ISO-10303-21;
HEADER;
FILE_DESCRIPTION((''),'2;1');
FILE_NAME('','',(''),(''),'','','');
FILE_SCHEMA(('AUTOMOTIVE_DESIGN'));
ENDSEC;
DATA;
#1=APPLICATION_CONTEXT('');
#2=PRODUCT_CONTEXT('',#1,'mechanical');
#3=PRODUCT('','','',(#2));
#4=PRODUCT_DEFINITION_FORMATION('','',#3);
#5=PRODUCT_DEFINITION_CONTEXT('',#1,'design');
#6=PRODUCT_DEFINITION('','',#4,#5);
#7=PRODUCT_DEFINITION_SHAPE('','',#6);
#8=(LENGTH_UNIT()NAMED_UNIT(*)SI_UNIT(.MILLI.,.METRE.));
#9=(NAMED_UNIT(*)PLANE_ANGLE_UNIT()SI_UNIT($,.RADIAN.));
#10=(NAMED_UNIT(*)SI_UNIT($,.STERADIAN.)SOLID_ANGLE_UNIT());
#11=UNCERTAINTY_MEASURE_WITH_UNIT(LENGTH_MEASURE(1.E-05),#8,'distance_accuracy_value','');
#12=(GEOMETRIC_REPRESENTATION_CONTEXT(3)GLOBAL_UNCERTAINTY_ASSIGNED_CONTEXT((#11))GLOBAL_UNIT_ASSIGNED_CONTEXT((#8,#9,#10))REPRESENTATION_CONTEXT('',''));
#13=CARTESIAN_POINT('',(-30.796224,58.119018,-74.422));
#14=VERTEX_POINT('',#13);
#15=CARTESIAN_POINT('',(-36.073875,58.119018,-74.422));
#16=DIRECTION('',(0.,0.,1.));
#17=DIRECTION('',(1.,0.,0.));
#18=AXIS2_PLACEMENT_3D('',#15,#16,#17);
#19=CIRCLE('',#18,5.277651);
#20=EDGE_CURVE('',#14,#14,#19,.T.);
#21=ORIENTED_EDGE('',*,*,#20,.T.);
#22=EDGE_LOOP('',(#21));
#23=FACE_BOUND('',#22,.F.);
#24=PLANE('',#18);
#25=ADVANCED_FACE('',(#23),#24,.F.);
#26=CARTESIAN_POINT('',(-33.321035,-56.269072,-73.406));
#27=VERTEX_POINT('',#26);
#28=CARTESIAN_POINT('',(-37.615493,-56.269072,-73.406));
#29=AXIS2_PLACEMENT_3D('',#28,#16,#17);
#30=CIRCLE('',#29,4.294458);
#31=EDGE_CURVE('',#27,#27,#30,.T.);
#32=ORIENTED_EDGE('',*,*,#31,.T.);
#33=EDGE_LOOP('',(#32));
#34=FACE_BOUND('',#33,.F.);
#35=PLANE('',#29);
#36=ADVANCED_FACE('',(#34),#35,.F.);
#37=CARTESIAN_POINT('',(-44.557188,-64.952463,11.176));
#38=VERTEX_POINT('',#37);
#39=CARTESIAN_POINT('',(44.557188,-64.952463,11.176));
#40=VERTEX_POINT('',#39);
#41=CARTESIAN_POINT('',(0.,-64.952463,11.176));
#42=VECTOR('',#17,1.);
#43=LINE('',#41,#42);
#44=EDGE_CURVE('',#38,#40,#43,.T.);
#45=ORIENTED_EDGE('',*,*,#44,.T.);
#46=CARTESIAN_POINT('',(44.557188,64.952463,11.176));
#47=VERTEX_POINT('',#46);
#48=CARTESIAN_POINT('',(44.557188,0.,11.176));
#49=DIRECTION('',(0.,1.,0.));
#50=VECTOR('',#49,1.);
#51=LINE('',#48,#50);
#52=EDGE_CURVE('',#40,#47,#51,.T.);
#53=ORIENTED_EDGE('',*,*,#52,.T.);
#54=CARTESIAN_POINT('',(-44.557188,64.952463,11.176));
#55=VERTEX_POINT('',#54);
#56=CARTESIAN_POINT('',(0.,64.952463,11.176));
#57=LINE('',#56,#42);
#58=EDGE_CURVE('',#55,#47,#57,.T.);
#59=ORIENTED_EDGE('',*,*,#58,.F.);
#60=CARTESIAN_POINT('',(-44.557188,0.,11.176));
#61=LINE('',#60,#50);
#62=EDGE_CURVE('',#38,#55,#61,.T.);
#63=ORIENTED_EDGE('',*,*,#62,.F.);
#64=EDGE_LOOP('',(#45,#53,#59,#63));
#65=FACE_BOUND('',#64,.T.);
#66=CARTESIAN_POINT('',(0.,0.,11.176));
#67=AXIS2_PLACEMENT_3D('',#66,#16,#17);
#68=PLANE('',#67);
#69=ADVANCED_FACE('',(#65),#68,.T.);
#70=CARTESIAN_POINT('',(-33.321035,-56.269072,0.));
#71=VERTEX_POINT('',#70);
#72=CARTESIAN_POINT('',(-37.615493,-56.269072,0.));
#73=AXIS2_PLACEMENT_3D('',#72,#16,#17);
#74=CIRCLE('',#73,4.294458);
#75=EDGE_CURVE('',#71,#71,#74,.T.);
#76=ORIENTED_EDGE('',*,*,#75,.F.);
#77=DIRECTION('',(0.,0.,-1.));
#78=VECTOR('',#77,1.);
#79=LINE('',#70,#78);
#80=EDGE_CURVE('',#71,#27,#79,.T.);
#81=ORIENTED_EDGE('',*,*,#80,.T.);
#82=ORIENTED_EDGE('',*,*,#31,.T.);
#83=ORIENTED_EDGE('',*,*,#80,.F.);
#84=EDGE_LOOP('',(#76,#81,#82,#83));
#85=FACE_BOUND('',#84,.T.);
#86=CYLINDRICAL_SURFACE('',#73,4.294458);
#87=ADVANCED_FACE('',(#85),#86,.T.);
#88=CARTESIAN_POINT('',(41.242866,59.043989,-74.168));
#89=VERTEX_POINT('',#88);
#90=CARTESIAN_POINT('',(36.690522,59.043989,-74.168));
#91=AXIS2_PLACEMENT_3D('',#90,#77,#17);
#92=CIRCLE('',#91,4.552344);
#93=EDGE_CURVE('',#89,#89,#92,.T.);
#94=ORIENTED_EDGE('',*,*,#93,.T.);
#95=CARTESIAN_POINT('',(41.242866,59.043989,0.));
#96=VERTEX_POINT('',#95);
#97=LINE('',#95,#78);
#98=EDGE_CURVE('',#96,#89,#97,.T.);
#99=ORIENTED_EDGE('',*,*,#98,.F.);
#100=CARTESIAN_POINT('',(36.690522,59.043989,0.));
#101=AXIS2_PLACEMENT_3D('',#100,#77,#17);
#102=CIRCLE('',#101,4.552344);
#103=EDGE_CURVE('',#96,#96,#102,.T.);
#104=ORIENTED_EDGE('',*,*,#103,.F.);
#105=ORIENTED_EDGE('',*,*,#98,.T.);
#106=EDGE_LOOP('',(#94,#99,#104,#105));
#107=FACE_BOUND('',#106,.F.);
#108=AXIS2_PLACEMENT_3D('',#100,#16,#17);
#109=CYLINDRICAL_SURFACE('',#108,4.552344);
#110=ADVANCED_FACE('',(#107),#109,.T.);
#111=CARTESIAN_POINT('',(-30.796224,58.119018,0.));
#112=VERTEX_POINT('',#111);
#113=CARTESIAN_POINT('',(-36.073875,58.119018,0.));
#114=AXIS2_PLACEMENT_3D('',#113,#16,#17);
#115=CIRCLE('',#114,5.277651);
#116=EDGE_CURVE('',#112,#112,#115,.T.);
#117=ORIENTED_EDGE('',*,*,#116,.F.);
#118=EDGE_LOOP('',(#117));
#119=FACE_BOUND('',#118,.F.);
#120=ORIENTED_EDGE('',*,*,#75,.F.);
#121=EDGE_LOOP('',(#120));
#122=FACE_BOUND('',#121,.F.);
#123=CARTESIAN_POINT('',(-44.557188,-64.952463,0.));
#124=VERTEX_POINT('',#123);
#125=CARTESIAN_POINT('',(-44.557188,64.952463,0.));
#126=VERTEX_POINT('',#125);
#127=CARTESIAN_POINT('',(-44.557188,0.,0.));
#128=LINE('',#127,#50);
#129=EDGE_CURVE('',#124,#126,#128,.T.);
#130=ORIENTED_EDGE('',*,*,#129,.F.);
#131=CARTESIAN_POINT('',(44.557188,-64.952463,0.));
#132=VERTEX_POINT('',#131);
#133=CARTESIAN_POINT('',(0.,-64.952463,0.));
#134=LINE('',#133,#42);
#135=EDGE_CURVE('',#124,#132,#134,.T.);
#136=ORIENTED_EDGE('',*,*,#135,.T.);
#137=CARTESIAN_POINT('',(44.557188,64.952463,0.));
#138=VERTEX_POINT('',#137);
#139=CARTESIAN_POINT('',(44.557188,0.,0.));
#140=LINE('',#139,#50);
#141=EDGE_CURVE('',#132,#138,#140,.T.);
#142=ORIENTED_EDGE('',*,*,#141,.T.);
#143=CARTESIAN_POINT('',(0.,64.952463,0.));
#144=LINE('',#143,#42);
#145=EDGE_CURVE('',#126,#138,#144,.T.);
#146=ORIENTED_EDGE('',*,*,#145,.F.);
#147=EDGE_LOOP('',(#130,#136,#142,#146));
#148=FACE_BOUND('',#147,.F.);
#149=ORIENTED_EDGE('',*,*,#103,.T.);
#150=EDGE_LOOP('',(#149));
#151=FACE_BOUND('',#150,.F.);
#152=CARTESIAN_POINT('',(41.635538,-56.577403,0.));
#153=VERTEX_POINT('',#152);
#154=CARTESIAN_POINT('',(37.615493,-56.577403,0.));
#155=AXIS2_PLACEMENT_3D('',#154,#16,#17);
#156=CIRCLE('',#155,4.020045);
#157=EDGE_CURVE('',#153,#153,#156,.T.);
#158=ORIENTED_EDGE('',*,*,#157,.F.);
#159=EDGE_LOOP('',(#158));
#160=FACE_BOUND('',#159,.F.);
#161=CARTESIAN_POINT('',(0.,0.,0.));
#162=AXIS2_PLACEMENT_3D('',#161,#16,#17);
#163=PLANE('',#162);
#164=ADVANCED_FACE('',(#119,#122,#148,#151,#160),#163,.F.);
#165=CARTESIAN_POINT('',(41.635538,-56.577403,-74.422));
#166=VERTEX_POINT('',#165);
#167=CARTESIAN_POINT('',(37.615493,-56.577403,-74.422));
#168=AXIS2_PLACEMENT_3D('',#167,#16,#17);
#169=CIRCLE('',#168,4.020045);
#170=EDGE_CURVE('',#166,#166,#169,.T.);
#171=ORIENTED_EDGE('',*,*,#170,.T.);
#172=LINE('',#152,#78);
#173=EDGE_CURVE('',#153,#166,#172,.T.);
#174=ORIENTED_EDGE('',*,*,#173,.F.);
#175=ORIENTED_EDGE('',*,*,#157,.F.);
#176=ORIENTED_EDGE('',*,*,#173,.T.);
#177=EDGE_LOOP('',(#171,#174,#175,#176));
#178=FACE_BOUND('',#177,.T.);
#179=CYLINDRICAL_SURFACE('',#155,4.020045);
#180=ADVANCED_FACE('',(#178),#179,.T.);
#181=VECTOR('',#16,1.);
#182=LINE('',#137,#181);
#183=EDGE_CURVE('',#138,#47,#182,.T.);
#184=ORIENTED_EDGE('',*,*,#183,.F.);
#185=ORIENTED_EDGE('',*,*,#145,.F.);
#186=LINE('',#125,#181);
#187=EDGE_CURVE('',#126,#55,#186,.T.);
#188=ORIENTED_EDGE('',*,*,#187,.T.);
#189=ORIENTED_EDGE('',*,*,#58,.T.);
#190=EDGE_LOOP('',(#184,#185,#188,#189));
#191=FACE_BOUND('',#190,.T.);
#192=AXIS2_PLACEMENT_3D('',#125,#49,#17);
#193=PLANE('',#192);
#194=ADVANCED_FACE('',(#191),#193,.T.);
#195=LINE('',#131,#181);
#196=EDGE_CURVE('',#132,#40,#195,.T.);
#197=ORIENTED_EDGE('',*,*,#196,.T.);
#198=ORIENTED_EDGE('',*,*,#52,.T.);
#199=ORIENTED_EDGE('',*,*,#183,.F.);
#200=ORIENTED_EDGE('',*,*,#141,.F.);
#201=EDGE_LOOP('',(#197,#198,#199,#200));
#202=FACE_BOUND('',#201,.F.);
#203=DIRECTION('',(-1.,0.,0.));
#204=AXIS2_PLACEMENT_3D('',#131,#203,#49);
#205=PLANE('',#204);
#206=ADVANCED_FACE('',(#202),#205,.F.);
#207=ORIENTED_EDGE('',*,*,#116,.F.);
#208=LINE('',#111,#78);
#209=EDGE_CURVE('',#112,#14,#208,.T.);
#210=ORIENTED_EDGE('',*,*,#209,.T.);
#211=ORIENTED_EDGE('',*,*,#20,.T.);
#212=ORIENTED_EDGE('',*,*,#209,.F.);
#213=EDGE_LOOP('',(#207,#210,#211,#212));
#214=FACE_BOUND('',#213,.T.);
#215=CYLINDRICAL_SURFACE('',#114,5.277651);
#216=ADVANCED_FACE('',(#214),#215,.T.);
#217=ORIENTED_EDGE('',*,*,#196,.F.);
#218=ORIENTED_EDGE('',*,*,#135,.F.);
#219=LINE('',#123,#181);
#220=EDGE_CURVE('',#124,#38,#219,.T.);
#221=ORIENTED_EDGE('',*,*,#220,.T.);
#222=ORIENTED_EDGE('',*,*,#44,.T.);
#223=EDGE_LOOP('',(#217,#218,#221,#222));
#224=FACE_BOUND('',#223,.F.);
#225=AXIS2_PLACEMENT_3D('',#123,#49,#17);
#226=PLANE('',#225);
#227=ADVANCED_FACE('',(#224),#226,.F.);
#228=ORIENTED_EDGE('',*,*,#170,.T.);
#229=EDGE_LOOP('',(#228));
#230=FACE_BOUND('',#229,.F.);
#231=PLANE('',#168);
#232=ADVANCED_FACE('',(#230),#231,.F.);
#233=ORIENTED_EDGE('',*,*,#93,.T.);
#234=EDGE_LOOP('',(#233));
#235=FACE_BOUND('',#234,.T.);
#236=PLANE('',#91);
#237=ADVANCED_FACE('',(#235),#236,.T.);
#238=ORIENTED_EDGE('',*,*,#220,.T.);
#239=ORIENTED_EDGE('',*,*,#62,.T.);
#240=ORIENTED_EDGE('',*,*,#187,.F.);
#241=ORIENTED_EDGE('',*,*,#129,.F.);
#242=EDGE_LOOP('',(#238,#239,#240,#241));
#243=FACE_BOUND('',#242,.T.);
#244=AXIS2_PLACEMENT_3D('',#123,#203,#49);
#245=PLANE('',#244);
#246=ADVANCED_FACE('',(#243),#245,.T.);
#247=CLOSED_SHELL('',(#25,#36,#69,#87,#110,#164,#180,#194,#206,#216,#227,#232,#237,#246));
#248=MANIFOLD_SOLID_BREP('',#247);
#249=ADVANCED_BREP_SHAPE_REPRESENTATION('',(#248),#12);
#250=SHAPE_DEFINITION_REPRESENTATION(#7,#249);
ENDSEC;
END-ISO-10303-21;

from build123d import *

# Parameters (mm, degrees)
F0_W     = 89.114376
F0_H     = 129.904926
F1_DEPTH = 11.176
F2_R     = 5.277651
F6_DEPTH = 74.422
F3_R     = 4.552344
F7_DEPTH = 74.168
F4_R     = 4.294458
F8_DEPTH = 73.406
F5_R     = 4.020045
F9_DEPTH = 74.422


with BuildPart() as f1:
    # F0 (on Top) → F1 (new body)
    with BuildSketch(Plane.XY):
        Rectangle(F0_W, F0_H)
    extrude(amount=F1_DEPTH)

    # F2 (on Top) → F6 (join)
    with BuildSketch(Plane.XY):
        with Locations((-36.073875, 58.119018)):
            Circle(F2_R)
    extrude(amount=-F6_DEPTH)

    # F3 (on face) → F7 (join)
    with BuildSketch(Plane(origin=(0, 0, 0), x_dir=(1, 0, 0), z_dir=(0, 0, -1))):
        with Locations((36.690522, -59.043989)):
            Circle(F3_R)
    extrude(amount=F7_DEPTH)

    # F4 (on Top) → F8 (join)
    with BuildSketch(Plane.XY):
        with Locations((-37.615493, -56.269072)):
            Circle(F4_R)
    extrude(amount=-F8_DEPTH)

    # F5 (on Top) → F9 (join)
    with BuildSketch(Plane.XY):
        with Locations((37.615493, -56.577403)):
            Circle(F5_R)
    extrude(amount=-F9_DEPTH)


solid = f1.part
